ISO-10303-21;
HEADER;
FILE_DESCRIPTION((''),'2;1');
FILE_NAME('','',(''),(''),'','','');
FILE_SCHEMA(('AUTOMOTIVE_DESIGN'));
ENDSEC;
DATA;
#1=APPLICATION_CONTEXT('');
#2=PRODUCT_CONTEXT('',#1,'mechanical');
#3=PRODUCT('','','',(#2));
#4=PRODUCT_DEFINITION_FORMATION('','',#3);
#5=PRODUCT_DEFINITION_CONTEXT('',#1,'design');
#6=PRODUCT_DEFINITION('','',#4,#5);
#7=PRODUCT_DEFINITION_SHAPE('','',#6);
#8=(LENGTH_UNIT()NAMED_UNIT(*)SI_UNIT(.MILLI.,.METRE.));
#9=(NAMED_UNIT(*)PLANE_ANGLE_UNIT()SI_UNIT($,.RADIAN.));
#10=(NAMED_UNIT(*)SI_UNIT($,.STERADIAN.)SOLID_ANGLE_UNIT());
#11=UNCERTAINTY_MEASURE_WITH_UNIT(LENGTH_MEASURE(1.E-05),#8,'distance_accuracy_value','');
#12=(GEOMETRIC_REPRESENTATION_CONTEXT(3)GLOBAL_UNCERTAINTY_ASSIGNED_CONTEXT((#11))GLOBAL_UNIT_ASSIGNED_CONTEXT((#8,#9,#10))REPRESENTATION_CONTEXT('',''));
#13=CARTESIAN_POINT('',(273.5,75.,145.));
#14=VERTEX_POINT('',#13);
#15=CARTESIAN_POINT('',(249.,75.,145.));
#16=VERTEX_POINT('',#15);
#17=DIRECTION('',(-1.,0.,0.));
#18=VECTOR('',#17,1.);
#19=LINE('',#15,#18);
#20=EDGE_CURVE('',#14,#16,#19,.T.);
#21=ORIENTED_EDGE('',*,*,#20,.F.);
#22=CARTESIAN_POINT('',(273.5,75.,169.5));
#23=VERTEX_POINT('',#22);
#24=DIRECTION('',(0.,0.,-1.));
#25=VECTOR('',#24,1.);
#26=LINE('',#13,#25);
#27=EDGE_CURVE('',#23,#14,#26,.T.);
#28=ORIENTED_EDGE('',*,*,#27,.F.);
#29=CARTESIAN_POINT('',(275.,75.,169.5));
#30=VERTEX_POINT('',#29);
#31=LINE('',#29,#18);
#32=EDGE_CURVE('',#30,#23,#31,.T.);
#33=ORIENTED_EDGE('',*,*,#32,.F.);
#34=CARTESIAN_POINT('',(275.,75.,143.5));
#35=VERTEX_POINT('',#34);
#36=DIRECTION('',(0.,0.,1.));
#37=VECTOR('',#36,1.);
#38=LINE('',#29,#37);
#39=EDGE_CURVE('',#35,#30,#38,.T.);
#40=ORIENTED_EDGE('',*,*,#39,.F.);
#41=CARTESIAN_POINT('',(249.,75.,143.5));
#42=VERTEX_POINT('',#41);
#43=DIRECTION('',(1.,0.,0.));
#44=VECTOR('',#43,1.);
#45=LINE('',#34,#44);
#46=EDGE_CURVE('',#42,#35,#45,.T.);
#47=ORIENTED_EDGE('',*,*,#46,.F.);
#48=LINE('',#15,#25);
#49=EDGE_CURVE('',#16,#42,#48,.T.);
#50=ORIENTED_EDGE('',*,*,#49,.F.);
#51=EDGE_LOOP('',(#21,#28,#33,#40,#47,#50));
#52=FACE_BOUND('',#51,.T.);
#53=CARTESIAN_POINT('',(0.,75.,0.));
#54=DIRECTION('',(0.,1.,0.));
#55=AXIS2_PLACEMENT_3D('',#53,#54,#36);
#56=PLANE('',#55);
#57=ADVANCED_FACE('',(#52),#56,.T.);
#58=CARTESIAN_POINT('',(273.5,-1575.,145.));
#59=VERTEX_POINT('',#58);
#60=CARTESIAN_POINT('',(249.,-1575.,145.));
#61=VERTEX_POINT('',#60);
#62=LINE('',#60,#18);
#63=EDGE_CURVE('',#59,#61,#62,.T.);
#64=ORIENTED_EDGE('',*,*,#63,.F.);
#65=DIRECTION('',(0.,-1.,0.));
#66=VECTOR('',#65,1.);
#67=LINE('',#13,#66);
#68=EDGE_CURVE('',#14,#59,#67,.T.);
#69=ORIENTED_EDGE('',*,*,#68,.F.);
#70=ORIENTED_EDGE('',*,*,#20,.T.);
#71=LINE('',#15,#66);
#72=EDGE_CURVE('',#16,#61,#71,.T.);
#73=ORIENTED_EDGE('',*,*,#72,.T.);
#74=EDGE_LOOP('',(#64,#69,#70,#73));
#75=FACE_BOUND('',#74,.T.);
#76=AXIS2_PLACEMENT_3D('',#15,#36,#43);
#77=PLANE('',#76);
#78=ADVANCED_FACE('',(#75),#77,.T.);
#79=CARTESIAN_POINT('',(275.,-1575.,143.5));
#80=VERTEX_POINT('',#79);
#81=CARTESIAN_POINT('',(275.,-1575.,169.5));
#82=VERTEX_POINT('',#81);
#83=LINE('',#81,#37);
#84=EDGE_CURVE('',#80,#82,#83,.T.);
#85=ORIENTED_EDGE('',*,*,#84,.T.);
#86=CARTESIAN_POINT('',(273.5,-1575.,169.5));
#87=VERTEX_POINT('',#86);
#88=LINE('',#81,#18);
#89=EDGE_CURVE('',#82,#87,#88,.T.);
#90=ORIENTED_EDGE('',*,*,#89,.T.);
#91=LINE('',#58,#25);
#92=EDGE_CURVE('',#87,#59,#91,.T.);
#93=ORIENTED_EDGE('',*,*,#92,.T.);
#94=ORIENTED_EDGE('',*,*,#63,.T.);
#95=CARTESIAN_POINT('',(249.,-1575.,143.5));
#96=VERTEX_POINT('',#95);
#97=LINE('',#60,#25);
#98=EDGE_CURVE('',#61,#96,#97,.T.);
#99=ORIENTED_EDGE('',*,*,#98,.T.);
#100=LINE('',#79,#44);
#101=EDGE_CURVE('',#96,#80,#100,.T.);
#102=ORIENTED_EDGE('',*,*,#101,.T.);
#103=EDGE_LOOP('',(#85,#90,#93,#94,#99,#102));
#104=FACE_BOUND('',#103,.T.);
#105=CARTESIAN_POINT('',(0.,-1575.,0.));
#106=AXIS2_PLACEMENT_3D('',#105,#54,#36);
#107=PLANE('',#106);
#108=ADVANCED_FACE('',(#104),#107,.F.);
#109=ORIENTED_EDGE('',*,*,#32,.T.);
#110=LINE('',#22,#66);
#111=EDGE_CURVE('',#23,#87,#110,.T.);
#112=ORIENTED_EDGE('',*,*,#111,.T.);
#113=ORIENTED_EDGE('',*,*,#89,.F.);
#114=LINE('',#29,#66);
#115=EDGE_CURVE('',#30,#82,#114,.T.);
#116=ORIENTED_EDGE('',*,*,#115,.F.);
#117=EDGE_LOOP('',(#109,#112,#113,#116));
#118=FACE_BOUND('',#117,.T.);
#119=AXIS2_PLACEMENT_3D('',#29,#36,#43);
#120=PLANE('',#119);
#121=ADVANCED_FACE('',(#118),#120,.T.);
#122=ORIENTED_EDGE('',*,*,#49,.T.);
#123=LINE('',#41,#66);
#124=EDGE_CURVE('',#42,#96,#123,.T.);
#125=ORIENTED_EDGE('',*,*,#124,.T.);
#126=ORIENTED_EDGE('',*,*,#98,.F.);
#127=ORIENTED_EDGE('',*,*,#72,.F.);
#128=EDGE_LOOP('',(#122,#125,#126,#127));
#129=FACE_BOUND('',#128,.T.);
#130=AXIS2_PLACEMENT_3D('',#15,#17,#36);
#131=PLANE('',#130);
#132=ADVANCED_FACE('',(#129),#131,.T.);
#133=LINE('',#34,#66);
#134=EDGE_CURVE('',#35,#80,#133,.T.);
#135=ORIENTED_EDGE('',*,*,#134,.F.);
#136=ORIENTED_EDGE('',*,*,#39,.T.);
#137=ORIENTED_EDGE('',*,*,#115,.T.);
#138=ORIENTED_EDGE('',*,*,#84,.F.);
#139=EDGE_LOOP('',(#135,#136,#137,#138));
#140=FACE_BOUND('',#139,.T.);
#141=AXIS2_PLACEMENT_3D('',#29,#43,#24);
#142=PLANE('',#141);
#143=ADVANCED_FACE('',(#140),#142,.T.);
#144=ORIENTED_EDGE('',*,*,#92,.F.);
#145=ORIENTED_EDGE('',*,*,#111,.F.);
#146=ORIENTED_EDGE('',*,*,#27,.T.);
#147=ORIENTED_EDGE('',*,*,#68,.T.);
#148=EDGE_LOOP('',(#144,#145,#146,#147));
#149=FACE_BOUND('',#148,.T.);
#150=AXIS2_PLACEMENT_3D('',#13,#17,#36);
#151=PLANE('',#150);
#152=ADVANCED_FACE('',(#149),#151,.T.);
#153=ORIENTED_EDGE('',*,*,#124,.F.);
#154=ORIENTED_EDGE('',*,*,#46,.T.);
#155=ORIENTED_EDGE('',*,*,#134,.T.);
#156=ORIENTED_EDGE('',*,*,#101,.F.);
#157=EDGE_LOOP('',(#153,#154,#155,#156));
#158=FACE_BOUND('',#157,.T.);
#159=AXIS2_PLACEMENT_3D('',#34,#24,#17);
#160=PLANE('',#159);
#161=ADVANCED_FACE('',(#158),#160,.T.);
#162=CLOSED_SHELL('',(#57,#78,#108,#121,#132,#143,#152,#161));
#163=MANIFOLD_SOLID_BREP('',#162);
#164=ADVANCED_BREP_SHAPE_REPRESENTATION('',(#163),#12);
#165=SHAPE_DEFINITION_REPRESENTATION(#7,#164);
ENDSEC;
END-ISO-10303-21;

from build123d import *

# Parameters (mm, degrees)
BOSS_EXTRUDE1_DEPTH = 825


with BuildPart() as part:
    # Sketch2 → Boss-Extrude1 (new, symmetric)
    with BuildSketch(Plane.XZ.offset(750)):
        Polygon((275, 169.5), (273.5, 169.5), (273.5, 145), (249, 145), (249, 143.5), (275, 143.5), align=None)
    extrude(amount=BOSS_EXTRUDE1_DEPTH, both=True)


solid = part.part
